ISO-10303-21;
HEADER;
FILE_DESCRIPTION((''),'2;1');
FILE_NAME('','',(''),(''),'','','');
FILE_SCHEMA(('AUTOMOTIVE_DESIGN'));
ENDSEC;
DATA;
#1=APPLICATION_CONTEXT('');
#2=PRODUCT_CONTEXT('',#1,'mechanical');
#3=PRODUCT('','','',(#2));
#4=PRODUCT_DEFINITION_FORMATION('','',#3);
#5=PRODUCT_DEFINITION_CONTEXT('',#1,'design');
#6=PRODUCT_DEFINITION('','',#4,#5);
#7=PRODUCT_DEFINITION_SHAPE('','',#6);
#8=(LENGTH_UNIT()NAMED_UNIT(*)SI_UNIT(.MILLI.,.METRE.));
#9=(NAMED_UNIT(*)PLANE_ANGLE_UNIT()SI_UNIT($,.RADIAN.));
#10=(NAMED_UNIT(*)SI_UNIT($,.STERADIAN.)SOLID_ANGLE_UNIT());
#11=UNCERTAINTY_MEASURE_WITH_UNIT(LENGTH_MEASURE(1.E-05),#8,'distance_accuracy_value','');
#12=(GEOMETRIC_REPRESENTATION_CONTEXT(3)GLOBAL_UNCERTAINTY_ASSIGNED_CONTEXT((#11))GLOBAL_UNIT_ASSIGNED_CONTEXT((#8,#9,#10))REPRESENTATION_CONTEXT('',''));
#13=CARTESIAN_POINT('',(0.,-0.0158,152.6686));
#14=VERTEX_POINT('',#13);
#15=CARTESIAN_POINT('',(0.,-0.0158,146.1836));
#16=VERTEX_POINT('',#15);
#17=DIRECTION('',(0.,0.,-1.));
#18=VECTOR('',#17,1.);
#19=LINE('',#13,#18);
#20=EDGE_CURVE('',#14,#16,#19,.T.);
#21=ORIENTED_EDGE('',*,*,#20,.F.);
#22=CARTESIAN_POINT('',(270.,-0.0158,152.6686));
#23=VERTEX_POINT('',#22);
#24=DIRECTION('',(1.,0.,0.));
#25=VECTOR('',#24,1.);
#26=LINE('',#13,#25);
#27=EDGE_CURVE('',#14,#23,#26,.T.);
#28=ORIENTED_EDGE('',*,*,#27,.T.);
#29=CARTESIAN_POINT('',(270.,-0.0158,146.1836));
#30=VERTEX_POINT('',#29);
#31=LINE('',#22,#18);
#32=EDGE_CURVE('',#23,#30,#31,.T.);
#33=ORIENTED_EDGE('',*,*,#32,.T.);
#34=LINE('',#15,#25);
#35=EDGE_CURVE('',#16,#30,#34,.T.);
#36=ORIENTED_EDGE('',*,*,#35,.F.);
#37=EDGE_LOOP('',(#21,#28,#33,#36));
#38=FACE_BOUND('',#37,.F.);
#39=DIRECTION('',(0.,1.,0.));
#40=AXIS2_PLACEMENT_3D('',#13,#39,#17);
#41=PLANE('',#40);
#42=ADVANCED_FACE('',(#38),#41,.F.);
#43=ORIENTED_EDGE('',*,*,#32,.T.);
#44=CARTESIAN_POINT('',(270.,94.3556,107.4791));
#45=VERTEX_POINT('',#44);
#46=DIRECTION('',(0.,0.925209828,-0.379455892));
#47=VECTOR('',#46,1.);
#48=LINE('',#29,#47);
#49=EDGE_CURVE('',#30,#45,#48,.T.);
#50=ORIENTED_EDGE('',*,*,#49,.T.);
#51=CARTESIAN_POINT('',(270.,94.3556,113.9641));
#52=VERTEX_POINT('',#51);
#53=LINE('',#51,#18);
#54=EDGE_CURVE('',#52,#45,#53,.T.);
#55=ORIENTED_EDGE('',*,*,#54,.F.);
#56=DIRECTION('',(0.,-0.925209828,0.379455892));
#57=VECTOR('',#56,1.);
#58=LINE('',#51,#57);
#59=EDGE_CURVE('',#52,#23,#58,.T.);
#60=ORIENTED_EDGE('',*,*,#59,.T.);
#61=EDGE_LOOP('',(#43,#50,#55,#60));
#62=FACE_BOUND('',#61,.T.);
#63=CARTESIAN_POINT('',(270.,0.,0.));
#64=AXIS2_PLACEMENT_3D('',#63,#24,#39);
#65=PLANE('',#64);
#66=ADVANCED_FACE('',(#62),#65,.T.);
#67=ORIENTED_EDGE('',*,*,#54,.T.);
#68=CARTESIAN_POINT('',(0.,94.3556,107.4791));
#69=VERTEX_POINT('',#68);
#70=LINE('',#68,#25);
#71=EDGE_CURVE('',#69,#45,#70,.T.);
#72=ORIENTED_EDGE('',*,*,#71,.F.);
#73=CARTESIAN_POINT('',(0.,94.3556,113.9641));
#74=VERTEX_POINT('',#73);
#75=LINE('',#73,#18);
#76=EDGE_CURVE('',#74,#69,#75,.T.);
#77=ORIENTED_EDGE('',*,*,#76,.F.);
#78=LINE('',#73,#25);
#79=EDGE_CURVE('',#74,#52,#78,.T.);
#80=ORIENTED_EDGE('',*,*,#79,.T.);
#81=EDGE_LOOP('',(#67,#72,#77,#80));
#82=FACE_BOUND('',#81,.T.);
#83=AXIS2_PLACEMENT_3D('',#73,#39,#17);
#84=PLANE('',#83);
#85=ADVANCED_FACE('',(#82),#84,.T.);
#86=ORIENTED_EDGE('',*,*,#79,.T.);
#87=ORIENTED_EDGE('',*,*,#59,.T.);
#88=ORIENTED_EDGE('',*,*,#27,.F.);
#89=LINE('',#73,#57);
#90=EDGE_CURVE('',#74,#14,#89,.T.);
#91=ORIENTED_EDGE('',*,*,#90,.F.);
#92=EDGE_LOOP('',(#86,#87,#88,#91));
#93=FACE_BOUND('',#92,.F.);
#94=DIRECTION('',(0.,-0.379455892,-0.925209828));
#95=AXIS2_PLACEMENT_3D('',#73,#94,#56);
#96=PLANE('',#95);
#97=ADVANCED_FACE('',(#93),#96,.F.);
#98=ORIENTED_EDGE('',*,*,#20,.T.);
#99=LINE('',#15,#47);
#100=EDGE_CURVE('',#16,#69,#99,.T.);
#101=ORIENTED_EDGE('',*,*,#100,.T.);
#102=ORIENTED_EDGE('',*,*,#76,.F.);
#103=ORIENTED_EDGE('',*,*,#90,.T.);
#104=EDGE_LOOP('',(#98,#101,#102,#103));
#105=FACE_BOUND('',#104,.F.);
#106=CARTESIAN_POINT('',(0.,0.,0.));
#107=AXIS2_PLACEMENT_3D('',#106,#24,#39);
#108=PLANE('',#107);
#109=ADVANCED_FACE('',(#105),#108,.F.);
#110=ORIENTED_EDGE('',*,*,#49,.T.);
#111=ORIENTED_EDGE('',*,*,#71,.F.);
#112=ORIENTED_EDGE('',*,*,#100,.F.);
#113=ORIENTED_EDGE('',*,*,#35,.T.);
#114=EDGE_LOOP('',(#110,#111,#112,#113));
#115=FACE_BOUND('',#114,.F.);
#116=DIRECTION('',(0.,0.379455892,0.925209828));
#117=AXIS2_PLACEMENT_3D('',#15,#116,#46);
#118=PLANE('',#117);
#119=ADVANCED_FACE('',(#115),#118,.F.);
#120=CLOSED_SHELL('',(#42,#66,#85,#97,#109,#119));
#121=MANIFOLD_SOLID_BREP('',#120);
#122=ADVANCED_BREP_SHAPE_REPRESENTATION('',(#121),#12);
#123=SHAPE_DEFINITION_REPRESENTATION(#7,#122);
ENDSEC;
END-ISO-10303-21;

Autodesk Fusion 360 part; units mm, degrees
sketch "Name Sign Bottom Panel" plane through (0, 0, 0) normal (1, 0, 0) x (0, 1, 0) in component "Name Sign Bottom Panel"
  line L0 (-0.0158, 146.1836) -> (94.3556, 107.4791)
  line L1 (94.3556, 113.9641) -> (-0.0158, 152.6686)
  line L2 (-0.0158, 152.6686) -> (-0.0158, 146.1836)
  line L3 (94.3556, 113.9641) -> (94.3556, 107.4791)
  dimension "d13" = 102
  dimension "d14" = 6
  dimension "d18" = 67.7
extrude "Extrude2" add sketch "Name Sign Bottom Panel" along normal blind 270 in component "Name Sign Bottom Panel"
component "Name Sign Bottom Panel" placed x (1, 0, 0) y (0, 1, 0) z (0, 0, 1) at (0, 0, 0)
equation "MDFThickness = 6 mm" comment "Thickness of the MDF board"
equation "d14 = MDFThickness"
